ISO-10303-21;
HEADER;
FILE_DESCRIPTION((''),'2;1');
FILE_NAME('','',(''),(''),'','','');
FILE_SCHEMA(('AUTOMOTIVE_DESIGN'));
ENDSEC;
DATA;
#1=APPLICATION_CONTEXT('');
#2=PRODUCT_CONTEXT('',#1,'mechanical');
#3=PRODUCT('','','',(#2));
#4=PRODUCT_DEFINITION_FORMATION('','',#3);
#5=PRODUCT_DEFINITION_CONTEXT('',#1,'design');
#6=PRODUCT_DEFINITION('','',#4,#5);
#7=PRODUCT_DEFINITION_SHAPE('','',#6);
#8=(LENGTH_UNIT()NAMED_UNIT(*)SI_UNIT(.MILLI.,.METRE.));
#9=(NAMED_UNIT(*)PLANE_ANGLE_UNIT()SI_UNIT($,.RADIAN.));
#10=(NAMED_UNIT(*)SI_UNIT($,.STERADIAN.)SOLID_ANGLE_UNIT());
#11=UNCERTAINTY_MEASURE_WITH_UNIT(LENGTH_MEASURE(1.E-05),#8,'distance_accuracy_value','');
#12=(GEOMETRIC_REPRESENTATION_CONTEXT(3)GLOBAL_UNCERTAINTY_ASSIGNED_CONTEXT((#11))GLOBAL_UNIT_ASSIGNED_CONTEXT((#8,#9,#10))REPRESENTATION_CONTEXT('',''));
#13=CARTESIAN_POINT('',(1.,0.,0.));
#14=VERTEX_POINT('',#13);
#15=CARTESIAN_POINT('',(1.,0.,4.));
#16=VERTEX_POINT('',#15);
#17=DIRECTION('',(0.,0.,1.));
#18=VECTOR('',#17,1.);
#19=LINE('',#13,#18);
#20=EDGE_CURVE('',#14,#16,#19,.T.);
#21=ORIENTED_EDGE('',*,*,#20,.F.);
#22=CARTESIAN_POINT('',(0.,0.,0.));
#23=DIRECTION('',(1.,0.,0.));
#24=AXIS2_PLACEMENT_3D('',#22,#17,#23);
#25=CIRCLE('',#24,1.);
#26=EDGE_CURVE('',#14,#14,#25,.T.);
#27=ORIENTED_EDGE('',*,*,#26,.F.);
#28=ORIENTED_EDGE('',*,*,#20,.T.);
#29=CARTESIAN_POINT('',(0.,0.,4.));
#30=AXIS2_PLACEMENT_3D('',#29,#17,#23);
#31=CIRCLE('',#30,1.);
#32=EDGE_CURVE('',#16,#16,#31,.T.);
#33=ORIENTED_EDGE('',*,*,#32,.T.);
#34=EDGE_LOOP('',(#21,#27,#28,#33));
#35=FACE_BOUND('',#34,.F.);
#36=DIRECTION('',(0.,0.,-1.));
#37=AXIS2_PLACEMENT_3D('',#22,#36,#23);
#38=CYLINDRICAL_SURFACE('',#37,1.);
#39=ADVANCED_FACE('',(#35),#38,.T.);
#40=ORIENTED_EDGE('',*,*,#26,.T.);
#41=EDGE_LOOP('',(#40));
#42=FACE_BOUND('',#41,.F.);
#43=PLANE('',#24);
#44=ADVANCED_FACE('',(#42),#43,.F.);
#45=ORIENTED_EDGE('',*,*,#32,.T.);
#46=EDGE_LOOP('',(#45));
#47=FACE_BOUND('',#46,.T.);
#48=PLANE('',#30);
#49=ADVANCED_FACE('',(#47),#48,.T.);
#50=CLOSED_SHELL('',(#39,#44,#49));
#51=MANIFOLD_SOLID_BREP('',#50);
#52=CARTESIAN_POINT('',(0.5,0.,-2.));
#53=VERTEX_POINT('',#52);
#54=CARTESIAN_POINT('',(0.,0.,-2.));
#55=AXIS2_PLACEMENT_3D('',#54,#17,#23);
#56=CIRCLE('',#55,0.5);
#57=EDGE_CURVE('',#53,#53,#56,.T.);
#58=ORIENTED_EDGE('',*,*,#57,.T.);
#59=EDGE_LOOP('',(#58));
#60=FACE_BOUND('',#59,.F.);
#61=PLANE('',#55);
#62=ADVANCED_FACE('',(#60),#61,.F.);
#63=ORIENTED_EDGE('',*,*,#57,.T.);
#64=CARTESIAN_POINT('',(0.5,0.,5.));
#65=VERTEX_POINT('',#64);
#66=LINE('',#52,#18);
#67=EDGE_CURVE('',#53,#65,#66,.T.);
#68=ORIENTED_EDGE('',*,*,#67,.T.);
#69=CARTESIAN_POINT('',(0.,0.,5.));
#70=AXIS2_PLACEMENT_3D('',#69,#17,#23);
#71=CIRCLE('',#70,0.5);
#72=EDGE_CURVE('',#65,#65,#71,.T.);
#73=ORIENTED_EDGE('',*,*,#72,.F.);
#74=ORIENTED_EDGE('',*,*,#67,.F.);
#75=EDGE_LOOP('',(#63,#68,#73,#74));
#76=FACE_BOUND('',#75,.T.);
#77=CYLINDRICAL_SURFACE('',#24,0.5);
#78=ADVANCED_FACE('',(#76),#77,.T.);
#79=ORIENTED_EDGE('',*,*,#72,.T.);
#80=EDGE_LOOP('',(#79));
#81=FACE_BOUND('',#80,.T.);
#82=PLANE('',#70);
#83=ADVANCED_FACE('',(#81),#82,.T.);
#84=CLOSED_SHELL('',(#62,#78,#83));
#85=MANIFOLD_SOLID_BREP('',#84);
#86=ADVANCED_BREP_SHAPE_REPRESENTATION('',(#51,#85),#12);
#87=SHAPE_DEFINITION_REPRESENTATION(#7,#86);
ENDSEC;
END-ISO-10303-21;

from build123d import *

# Parameters (mm, degrees)
F0_R          = 0.5
F1_DEPTH      = 5
F1_DEPTH_BACK = 2
F2_R          = 1
F3_DEPTH      = 4


with BuildPart() as f1:
    # F0 (on Top) → F1 (new body, two sides)
    with BuildSketch(Plane.XY) as f1_sk:
        Circle(F0_R)
    extrude(amount=F1_DEPTH)
    extrude(f1_sk.sketch, amount=-F1_DEPTH_BACK)


with BuildPart() as f3:
    # F2 (on Top) → F3 (new body)
    with BuildSketch(Plane.XY):
        Circle(F2_R)
    extrude(amount=F3_DEPTH)


solid = Compound([f1.part, f3.part])
